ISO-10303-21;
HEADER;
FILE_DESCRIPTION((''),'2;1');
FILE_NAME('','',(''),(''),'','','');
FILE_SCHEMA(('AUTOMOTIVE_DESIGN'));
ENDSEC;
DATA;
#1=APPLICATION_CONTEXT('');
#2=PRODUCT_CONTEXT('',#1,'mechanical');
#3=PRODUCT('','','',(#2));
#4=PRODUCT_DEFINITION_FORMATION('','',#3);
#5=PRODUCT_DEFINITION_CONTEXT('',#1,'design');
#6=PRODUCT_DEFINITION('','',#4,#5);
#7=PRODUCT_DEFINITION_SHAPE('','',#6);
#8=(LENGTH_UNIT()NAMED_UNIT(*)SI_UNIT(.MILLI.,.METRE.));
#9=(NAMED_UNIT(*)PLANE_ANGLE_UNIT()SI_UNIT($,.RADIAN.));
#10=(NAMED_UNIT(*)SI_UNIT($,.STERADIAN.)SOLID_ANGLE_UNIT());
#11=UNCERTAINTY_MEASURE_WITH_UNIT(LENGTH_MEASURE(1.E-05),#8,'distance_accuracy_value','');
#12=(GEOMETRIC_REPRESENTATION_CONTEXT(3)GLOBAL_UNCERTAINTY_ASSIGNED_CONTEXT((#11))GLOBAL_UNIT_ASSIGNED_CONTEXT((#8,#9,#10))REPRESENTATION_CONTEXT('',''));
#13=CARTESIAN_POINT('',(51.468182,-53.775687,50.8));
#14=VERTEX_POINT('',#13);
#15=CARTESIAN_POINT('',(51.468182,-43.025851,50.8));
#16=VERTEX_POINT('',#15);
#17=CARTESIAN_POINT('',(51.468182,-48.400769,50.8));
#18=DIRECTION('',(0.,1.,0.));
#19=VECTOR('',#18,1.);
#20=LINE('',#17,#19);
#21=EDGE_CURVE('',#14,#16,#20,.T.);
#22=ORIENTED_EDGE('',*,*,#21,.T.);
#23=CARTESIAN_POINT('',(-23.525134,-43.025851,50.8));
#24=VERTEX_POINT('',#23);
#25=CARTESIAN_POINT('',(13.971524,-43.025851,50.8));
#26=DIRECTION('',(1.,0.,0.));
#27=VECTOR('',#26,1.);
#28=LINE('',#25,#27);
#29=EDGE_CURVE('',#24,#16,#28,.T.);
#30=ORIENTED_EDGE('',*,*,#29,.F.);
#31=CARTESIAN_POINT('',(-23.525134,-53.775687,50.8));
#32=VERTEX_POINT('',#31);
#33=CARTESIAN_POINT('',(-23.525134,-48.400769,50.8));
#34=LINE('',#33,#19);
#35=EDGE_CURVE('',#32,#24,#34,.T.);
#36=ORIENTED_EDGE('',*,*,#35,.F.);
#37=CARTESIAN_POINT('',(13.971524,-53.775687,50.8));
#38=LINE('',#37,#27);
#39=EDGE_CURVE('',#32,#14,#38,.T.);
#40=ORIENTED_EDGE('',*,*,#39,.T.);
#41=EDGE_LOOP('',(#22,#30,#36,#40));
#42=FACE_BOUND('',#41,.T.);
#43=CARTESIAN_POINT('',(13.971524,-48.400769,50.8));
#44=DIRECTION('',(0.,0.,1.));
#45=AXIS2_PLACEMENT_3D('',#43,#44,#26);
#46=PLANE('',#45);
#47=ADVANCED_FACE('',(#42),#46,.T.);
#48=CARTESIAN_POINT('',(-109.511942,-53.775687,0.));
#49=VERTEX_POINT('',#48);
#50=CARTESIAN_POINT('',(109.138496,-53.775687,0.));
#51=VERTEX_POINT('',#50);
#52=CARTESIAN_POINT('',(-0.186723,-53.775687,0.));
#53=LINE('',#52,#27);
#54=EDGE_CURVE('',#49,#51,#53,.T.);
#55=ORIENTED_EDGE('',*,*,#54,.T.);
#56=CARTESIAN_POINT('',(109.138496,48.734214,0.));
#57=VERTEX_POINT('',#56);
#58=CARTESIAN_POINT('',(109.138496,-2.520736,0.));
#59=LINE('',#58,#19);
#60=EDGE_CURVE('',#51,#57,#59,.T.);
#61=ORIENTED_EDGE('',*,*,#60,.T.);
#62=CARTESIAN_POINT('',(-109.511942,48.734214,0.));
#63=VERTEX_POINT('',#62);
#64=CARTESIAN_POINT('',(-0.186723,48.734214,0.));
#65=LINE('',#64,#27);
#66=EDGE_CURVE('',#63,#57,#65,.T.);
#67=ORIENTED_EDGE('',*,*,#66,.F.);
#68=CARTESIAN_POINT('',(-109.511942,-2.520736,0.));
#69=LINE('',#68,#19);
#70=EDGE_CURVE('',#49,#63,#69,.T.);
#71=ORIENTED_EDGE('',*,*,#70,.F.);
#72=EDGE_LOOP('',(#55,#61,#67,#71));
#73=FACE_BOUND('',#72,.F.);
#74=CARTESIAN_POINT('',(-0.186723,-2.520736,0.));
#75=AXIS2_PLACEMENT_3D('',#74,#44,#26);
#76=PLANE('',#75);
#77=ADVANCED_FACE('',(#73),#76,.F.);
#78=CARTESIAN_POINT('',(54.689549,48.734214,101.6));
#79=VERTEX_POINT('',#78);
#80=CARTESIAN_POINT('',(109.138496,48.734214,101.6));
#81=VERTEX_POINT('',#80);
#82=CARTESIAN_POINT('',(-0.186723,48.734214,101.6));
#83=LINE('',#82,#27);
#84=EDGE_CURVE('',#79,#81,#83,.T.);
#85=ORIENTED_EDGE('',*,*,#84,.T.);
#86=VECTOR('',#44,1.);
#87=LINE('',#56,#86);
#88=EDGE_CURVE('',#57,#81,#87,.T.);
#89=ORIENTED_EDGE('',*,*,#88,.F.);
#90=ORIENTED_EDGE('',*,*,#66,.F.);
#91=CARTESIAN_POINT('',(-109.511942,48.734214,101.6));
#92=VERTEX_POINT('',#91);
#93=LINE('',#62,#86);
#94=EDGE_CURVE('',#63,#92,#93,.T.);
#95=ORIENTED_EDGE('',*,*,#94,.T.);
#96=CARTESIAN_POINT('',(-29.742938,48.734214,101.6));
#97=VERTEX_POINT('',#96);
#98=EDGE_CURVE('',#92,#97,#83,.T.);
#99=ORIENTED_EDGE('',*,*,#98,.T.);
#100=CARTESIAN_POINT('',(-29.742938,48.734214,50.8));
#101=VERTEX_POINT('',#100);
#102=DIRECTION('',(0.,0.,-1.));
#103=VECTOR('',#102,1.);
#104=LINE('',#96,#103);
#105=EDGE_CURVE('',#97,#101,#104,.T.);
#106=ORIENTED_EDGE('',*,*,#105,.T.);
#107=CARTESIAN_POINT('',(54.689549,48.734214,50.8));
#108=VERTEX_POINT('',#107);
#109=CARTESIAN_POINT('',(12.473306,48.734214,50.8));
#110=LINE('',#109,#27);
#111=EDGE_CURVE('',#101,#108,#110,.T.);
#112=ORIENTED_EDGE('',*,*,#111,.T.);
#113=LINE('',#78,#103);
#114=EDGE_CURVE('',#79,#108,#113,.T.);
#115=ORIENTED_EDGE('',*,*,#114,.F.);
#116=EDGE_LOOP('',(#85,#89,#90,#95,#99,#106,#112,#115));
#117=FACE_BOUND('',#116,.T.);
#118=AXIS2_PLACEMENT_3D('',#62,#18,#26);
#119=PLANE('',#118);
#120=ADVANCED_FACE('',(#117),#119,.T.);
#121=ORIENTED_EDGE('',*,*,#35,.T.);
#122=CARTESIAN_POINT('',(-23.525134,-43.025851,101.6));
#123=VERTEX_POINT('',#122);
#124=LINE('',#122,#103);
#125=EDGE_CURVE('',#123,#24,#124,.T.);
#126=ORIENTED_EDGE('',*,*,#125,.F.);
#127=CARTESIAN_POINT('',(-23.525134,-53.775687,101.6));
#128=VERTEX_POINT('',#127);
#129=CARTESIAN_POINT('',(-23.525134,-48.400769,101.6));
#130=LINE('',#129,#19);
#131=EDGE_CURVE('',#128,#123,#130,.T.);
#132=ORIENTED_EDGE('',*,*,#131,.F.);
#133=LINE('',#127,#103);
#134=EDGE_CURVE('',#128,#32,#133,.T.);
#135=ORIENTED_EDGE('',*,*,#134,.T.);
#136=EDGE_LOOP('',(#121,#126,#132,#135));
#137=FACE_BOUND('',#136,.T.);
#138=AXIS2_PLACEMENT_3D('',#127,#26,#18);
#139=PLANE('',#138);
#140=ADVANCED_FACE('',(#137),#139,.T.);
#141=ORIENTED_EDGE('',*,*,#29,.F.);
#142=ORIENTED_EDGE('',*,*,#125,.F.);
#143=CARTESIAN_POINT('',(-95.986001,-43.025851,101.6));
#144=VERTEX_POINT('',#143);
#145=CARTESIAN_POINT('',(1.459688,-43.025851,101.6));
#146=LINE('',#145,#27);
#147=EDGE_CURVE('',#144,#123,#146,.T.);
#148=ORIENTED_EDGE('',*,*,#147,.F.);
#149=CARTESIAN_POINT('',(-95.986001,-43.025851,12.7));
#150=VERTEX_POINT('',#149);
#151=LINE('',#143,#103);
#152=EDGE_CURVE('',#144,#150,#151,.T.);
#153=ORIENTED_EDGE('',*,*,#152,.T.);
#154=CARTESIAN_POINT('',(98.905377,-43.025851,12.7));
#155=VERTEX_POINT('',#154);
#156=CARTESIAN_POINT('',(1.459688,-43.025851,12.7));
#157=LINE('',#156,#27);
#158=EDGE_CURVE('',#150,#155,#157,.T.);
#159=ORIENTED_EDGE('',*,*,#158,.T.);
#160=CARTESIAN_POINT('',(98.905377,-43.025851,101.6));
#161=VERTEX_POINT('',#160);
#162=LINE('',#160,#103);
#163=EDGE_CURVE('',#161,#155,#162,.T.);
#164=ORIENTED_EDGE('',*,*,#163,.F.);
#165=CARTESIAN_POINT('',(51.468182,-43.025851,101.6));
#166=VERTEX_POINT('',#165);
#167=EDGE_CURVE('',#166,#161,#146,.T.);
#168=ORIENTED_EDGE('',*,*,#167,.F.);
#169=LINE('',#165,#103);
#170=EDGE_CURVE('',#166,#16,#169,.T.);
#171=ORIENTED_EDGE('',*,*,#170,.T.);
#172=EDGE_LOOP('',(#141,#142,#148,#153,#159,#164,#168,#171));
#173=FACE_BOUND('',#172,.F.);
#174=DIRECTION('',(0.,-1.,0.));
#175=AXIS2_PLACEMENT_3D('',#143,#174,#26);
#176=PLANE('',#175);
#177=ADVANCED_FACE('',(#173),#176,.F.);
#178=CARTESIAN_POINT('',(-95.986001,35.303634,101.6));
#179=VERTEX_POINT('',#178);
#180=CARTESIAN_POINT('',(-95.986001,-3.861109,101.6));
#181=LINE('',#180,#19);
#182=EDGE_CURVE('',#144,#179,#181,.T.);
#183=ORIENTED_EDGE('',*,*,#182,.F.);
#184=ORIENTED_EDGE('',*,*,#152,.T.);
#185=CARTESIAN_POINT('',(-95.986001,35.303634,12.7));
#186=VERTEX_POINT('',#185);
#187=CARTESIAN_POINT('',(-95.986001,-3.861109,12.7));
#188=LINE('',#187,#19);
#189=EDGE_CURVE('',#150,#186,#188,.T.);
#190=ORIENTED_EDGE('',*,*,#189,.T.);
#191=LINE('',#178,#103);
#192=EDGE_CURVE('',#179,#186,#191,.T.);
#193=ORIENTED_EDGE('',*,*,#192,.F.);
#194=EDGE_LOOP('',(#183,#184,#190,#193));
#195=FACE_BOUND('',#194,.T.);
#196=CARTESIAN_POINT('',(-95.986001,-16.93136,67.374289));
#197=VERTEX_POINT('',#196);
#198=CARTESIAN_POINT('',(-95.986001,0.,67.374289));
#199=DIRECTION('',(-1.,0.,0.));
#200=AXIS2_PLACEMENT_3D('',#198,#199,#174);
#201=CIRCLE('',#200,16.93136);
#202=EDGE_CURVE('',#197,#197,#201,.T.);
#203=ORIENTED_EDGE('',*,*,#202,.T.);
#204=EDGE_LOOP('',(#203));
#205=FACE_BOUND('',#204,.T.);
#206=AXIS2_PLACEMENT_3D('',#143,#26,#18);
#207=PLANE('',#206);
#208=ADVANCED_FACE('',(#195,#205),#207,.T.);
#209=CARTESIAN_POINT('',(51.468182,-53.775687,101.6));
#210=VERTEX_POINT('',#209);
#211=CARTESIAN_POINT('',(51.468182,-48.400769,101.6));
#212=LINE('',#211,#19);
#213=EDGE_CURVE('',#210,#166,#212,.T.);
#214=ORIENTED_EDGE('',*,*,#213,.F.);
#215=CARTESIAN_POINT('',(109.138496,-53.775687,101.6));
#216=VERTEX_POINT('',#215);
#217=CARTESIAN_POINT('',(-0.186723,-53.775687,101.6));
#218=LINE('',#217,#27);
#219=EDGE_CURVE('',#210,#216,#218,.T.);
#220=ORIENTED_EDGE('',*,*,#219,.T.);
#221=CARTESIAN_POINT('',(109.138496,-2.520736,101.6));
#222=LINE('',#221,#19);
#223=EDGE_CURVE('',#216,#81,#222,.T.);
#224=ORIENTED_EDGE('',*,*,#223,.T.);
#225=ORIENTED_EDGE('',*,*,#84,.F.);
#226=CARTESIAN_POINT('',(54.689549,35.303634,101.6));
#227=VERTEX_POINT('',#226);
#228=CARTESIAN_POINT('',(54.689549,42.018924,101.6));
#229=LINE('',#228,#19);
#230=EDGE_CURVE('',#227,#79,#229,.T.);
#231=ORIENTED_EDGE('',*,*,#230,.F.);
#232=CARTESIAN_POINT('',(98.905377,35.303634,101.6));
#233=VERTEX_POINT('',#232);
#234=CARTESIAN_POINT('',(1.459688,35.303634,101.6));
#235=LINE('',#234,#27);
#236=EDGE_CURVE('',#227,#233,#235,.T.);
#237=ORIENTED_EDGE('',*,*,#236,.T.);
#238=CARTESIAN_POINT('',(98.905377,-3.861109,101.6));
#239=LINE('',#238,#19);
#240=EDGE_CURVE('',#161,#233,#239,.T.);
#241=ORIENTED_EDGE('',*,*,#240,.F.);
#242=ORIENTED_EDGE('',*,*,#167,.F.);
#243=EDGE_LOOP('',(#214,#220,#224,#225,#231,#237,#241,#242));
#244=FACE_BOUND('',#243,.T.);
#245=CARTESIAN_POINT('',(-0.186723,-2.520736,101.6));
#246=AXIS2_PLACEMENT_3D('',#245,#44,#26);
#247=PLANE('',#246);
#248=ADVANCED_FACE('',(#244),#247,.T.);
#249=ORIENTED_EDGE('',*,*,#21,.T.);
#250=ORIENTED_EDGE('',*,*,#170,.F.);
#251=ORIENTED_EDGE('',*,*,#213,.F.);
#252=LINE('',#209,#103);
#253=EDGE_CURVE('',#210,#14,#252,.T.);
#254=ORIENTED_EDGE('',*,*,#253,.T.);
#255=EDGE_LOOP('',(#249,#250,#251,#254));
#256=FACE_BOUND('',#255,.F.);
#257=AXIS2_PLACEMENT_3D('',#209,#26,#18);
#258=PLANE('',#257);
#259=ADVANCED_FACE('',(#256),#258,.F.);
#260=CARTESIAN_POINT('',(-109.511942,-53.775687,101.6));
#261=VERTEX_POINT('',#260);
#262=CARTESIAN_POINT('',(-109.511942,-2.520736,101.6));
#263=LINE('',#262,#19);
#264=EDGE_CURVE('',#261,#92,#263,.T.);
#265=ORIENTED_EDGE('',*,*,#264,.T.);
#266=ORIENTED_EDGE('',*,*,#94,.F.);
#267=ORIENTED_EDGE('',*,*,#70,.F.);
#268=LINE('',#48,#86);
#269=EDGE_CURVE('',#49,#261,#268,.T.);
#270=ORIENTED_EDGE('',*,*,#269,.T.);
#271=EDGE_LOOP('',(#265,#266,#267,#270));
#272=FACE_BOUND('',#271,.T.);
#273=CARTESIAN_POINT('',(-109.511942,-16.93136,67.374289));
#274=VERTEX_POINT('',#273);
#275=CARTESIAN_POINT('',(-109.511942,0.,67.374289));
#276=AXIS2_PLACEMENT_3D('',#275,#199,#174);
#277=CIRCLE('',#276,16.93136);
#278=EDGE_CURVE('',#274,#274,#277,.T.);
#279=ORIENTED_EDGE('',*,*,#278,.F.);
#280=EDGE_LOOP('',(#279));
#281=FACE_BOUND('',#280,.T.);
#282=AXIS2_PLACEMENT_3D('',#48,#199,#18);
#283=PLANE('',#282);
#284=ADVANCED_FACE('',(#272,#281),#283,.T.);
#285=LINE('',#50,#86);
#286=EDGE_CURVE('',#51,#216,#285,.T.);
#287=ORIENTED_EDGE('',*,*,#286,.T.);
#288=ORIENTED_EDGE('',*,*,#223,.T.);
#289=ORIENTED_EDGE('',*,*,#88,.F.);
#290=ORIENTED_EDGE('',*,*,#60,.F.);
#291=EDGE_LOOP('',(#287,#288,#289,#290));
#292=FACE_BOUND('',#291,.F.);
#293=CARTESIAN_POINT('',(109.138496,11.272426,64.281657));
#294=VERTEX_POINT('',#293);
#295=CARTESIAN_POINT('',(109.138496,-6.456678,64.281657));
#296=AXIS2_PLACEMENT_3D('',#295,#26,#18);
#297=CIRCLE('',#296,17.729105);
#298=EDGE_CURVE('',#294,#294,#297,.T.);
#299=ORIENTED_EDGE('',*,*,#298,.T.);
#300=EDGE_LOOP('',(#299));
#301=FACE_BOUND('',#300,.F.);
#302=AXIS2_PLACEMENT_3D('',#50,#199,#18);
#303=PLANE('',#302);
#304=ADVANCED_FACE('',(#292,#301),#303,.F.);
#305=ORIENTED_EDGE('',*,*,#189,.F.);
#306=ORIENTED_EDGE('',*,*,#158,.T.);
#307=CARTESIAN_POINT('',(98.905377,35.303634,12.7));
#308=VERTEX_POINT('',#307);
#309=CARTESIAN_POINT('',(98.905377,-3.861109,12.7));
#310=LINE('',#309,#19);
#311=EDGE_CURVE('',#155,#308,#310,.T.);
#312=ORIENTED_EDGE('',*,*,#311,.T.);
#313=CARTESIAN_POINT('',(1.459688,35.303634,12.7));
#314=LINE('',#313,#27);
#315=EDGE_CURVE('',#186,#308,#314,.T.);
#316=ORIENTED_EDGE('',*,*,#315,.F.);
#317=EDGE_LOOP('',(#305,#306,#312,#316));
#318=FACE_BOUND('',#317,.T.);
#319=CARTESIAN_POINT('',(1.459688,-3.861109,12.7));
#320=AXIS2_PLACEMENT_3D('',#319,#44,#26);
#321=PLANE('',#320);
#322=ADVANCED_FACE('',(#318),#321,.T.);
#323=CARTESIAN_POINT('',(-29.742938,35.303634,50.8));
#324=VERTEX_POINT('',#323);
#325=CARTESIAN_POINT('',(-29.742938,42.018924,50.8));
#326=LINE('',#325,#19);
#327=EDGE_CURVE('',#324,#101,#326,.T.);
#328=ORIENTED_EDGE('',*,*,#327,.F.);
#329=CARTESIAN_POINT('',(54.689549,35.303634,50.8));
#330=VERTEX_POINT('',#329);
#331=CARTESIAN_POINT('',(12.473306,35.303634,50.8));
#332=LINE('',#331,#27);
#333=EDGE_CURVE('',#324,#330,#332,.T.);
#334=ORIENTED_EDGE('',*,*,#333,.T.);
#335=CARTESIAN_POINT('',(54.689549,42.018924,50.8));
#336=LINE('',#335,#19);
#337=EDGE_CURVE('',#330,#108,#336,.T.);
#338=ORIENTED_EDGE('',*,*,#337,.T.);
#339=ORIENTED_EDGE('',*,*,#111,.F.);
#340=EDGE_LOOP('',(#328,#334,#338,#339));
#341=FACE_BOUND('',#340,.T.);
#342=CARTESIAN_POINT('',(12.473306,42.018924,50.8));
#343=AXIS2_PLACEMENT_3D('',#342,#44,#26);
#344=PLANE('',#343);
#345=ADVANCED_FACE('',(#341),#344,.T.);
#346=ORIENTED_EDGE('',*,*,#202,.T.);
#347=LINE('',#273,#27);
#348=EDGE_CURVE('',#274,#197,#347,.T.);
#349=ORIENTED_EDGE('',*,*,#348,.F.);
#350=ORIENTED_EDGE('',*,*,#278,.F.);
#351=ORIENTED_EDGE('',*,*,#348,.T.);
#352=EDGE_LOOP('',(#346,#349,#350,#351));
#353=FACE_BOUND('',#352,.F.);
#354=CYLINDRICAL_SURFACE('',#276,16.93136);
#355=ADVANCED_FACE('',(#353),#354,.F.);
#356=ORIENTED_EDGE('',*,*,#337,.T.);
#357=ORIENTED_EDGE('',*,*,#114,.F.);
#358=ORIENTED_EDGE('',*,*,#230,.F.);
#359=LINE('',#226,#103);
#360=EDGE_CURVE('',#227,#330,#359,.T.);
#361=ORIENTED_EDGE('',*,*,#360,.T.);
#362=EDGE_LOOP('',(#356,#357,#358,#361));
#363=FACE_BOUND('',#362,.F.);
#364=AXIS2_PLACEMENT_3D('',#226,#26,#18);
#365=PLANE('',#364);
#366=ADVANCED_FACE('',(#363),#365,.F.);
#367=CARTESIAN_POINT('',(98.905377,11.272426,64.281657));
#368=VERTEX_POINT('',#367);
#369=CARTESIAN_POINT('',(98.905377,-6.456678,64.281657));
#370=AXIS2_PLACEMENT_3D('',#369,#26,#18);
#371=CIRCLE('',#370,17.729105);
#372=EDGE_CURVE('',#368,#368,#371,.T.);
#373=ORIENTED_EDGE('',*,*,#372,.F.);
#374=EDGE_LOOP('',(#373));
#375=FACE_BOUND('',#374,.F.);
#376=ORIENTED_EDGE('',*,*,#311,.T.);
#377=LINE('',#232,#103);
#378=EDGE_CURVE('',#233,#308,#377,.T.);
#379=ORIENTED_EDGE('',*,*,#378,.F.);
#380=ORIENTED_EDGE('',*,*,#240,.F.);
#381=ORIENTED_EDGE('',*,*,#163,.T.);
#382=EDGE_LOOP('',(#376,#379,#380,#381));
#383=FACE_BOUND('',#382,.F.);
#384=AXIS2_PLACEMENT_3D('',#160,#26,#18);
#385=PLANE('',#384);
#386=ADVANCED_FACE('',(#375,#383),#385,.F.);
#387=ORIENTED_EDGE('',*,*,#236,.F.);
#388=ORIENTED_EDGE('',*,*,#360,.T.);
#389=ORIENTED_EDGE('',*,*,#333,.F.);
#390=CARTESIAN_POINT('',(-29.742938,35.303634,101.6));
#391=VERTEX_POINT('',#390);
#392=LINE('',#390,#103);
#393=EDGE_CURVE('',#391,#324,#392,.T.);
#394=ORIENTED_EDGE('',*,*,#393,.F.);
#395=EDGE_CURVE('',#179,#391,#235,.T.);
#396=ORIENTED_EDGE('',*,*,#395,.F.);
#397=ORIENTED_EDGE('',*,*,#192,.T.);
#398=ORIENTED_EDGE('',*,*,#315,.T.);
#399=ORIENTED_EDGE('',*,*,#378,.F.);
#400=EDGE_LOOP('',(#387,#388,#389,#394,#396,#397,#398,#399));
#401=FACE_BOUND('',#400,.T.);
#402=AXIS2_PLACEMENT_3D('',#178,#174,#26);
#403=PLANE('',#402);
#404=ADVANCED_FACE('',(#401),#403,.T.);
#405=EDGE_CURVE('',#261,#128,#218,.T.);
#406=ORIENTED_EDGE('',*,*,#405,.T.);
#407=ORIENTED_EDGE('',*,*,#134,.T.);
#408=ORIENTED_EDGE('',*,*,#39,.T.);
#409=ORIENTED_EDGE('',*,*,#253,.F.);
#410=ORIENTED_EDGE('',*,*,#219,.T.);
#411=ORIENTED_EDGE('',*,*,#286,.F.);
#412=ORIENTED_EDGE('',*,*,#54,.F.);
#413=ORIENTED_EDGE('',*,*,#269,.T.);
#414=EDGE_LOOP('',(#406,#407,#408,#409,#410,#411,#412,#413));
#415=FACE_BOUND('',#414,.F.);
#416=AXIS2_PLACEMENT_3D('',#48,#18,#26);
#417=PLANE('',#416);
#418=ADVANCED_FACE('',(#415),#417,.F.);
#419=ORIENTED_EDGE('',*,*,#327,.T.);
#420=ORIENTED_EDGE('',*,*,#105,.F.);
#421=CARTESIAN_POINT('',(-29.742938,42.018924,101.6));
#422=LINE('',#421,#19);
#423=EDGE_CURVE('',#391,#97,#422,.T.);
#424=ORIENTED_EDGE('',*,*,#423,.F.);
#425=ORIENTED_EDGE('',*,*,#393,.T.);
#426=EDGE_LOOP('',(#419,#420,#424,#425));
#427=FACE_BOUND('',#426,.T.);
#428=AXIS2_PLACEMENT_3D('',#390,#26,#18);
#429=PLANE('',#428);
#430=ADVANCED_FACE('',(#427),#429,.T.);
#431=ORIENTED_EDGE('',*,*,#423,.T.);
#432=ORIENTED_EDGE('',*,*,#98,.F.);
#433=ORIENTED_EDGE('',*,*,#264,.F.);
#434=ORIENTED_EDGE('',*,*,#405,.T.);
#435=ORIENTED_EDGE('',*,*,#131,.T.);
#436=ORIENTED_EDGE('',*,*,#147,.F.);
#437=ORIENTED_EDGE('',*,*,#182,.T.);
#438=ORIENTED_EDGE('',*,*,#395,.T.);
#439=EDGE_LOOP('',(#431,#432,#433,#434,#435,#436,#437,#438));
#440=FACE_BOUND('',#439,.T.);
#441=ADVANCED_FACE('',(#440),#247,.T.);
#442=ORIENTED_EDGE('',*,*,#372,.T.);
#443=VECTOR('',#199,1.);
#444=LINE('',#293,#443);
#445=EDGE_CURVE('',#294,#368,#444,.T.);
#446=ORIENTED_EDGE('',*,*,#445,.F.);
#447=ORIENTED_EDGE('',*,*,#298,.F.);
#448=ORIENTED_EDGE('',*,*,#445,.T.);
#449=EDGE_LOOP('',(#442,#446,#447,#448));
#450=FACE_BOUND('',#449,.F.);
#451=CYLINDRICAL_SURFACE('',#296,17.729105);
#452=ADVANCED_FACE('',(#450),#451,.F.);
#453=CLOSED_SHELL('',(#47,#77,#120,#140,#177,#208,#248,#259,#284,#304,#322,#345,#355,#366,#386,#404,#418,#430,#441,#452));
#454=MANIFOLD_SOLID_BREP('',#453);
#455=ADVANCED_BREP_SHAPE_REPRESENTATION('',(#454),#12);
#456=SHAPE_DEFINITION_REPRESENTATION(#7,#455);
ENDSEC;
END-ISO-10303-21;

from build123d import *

# Parameters (mm, degrees)
F0_W     = 218.6504378915
F0_H     = 102.5099009275
F1_DEPTH = 101.6
F2_W     = 194.8913782835
F2_H     = 78.3294849098
F3_DEPTH = 88.9
F4_W     = 84.4324864447
F4_H     = 13.4305804968
F4_W_2   = 74.9933160841
F4_H_2   = 10.749835521
F5_DEPTH = 50.8
F6_R     = 16.9313597919
F7_DEPTH = 25.4
F8_R     = 17.7291047607
F9_DEPTH = 25.4


with BuildPart() as f1:
    # F0 (on Top) → F1 (new body)
    with BuildSketch(Plane.XY):
        with Locations((-0.1867227256, -2.5207363069)):
            Rectangle(F0_W, F0_H)
    extrude(amount=F1_DEPTH)

    # F2 (on face) → F3 (cut)
    with BuildSketch(Plane.XY.offset(101.6)):
        with Locations((1.4596879482, -3.8611087948)):
            Rectangle(F2_W, F2_H)
    extrude(amount=-F3_DEPTH, mode=Mode.SUBTRACT)

    # F4 (on face) → F5 (cut)
    with BuildSketch(Plane.XY.offset(101.6)):
        with Locations((12.4733056873, 42.0189239085)):
            Rectangle(F4_W, F4_H)
        with Locations((13.9715243131, -48.4007690102)):
            Rectangle(F4_W_2, F4_H_2)
    extrude(amount=-F5_DEPTH, mode=Mode.SUBTRACT)

    # F6 (on face) → F7 (cut)
    with BuildSketch(Plane(origin=(-109.5119416714, 0, 0), x_dir=(0, -1, 0), z_dir=(-1, 0, 0))):
        with Locations((0, 67.3742890358)):
            Circle(F6_R)
    extrude(amount=-F7_DEPTH, mode=Mode.SUBTRACT)

    # F8 (on face) → F9 (cut)
    with BuildSketch(Plane.YZ.offset(109.1384962201)):
        with Locations((-6.4566782676, 64.2816573381)):
            Circle(F8_R)
    extrude(amount=-F9_DEPTH, mode=Mode.SUBTRACT)


solid = f1.part
